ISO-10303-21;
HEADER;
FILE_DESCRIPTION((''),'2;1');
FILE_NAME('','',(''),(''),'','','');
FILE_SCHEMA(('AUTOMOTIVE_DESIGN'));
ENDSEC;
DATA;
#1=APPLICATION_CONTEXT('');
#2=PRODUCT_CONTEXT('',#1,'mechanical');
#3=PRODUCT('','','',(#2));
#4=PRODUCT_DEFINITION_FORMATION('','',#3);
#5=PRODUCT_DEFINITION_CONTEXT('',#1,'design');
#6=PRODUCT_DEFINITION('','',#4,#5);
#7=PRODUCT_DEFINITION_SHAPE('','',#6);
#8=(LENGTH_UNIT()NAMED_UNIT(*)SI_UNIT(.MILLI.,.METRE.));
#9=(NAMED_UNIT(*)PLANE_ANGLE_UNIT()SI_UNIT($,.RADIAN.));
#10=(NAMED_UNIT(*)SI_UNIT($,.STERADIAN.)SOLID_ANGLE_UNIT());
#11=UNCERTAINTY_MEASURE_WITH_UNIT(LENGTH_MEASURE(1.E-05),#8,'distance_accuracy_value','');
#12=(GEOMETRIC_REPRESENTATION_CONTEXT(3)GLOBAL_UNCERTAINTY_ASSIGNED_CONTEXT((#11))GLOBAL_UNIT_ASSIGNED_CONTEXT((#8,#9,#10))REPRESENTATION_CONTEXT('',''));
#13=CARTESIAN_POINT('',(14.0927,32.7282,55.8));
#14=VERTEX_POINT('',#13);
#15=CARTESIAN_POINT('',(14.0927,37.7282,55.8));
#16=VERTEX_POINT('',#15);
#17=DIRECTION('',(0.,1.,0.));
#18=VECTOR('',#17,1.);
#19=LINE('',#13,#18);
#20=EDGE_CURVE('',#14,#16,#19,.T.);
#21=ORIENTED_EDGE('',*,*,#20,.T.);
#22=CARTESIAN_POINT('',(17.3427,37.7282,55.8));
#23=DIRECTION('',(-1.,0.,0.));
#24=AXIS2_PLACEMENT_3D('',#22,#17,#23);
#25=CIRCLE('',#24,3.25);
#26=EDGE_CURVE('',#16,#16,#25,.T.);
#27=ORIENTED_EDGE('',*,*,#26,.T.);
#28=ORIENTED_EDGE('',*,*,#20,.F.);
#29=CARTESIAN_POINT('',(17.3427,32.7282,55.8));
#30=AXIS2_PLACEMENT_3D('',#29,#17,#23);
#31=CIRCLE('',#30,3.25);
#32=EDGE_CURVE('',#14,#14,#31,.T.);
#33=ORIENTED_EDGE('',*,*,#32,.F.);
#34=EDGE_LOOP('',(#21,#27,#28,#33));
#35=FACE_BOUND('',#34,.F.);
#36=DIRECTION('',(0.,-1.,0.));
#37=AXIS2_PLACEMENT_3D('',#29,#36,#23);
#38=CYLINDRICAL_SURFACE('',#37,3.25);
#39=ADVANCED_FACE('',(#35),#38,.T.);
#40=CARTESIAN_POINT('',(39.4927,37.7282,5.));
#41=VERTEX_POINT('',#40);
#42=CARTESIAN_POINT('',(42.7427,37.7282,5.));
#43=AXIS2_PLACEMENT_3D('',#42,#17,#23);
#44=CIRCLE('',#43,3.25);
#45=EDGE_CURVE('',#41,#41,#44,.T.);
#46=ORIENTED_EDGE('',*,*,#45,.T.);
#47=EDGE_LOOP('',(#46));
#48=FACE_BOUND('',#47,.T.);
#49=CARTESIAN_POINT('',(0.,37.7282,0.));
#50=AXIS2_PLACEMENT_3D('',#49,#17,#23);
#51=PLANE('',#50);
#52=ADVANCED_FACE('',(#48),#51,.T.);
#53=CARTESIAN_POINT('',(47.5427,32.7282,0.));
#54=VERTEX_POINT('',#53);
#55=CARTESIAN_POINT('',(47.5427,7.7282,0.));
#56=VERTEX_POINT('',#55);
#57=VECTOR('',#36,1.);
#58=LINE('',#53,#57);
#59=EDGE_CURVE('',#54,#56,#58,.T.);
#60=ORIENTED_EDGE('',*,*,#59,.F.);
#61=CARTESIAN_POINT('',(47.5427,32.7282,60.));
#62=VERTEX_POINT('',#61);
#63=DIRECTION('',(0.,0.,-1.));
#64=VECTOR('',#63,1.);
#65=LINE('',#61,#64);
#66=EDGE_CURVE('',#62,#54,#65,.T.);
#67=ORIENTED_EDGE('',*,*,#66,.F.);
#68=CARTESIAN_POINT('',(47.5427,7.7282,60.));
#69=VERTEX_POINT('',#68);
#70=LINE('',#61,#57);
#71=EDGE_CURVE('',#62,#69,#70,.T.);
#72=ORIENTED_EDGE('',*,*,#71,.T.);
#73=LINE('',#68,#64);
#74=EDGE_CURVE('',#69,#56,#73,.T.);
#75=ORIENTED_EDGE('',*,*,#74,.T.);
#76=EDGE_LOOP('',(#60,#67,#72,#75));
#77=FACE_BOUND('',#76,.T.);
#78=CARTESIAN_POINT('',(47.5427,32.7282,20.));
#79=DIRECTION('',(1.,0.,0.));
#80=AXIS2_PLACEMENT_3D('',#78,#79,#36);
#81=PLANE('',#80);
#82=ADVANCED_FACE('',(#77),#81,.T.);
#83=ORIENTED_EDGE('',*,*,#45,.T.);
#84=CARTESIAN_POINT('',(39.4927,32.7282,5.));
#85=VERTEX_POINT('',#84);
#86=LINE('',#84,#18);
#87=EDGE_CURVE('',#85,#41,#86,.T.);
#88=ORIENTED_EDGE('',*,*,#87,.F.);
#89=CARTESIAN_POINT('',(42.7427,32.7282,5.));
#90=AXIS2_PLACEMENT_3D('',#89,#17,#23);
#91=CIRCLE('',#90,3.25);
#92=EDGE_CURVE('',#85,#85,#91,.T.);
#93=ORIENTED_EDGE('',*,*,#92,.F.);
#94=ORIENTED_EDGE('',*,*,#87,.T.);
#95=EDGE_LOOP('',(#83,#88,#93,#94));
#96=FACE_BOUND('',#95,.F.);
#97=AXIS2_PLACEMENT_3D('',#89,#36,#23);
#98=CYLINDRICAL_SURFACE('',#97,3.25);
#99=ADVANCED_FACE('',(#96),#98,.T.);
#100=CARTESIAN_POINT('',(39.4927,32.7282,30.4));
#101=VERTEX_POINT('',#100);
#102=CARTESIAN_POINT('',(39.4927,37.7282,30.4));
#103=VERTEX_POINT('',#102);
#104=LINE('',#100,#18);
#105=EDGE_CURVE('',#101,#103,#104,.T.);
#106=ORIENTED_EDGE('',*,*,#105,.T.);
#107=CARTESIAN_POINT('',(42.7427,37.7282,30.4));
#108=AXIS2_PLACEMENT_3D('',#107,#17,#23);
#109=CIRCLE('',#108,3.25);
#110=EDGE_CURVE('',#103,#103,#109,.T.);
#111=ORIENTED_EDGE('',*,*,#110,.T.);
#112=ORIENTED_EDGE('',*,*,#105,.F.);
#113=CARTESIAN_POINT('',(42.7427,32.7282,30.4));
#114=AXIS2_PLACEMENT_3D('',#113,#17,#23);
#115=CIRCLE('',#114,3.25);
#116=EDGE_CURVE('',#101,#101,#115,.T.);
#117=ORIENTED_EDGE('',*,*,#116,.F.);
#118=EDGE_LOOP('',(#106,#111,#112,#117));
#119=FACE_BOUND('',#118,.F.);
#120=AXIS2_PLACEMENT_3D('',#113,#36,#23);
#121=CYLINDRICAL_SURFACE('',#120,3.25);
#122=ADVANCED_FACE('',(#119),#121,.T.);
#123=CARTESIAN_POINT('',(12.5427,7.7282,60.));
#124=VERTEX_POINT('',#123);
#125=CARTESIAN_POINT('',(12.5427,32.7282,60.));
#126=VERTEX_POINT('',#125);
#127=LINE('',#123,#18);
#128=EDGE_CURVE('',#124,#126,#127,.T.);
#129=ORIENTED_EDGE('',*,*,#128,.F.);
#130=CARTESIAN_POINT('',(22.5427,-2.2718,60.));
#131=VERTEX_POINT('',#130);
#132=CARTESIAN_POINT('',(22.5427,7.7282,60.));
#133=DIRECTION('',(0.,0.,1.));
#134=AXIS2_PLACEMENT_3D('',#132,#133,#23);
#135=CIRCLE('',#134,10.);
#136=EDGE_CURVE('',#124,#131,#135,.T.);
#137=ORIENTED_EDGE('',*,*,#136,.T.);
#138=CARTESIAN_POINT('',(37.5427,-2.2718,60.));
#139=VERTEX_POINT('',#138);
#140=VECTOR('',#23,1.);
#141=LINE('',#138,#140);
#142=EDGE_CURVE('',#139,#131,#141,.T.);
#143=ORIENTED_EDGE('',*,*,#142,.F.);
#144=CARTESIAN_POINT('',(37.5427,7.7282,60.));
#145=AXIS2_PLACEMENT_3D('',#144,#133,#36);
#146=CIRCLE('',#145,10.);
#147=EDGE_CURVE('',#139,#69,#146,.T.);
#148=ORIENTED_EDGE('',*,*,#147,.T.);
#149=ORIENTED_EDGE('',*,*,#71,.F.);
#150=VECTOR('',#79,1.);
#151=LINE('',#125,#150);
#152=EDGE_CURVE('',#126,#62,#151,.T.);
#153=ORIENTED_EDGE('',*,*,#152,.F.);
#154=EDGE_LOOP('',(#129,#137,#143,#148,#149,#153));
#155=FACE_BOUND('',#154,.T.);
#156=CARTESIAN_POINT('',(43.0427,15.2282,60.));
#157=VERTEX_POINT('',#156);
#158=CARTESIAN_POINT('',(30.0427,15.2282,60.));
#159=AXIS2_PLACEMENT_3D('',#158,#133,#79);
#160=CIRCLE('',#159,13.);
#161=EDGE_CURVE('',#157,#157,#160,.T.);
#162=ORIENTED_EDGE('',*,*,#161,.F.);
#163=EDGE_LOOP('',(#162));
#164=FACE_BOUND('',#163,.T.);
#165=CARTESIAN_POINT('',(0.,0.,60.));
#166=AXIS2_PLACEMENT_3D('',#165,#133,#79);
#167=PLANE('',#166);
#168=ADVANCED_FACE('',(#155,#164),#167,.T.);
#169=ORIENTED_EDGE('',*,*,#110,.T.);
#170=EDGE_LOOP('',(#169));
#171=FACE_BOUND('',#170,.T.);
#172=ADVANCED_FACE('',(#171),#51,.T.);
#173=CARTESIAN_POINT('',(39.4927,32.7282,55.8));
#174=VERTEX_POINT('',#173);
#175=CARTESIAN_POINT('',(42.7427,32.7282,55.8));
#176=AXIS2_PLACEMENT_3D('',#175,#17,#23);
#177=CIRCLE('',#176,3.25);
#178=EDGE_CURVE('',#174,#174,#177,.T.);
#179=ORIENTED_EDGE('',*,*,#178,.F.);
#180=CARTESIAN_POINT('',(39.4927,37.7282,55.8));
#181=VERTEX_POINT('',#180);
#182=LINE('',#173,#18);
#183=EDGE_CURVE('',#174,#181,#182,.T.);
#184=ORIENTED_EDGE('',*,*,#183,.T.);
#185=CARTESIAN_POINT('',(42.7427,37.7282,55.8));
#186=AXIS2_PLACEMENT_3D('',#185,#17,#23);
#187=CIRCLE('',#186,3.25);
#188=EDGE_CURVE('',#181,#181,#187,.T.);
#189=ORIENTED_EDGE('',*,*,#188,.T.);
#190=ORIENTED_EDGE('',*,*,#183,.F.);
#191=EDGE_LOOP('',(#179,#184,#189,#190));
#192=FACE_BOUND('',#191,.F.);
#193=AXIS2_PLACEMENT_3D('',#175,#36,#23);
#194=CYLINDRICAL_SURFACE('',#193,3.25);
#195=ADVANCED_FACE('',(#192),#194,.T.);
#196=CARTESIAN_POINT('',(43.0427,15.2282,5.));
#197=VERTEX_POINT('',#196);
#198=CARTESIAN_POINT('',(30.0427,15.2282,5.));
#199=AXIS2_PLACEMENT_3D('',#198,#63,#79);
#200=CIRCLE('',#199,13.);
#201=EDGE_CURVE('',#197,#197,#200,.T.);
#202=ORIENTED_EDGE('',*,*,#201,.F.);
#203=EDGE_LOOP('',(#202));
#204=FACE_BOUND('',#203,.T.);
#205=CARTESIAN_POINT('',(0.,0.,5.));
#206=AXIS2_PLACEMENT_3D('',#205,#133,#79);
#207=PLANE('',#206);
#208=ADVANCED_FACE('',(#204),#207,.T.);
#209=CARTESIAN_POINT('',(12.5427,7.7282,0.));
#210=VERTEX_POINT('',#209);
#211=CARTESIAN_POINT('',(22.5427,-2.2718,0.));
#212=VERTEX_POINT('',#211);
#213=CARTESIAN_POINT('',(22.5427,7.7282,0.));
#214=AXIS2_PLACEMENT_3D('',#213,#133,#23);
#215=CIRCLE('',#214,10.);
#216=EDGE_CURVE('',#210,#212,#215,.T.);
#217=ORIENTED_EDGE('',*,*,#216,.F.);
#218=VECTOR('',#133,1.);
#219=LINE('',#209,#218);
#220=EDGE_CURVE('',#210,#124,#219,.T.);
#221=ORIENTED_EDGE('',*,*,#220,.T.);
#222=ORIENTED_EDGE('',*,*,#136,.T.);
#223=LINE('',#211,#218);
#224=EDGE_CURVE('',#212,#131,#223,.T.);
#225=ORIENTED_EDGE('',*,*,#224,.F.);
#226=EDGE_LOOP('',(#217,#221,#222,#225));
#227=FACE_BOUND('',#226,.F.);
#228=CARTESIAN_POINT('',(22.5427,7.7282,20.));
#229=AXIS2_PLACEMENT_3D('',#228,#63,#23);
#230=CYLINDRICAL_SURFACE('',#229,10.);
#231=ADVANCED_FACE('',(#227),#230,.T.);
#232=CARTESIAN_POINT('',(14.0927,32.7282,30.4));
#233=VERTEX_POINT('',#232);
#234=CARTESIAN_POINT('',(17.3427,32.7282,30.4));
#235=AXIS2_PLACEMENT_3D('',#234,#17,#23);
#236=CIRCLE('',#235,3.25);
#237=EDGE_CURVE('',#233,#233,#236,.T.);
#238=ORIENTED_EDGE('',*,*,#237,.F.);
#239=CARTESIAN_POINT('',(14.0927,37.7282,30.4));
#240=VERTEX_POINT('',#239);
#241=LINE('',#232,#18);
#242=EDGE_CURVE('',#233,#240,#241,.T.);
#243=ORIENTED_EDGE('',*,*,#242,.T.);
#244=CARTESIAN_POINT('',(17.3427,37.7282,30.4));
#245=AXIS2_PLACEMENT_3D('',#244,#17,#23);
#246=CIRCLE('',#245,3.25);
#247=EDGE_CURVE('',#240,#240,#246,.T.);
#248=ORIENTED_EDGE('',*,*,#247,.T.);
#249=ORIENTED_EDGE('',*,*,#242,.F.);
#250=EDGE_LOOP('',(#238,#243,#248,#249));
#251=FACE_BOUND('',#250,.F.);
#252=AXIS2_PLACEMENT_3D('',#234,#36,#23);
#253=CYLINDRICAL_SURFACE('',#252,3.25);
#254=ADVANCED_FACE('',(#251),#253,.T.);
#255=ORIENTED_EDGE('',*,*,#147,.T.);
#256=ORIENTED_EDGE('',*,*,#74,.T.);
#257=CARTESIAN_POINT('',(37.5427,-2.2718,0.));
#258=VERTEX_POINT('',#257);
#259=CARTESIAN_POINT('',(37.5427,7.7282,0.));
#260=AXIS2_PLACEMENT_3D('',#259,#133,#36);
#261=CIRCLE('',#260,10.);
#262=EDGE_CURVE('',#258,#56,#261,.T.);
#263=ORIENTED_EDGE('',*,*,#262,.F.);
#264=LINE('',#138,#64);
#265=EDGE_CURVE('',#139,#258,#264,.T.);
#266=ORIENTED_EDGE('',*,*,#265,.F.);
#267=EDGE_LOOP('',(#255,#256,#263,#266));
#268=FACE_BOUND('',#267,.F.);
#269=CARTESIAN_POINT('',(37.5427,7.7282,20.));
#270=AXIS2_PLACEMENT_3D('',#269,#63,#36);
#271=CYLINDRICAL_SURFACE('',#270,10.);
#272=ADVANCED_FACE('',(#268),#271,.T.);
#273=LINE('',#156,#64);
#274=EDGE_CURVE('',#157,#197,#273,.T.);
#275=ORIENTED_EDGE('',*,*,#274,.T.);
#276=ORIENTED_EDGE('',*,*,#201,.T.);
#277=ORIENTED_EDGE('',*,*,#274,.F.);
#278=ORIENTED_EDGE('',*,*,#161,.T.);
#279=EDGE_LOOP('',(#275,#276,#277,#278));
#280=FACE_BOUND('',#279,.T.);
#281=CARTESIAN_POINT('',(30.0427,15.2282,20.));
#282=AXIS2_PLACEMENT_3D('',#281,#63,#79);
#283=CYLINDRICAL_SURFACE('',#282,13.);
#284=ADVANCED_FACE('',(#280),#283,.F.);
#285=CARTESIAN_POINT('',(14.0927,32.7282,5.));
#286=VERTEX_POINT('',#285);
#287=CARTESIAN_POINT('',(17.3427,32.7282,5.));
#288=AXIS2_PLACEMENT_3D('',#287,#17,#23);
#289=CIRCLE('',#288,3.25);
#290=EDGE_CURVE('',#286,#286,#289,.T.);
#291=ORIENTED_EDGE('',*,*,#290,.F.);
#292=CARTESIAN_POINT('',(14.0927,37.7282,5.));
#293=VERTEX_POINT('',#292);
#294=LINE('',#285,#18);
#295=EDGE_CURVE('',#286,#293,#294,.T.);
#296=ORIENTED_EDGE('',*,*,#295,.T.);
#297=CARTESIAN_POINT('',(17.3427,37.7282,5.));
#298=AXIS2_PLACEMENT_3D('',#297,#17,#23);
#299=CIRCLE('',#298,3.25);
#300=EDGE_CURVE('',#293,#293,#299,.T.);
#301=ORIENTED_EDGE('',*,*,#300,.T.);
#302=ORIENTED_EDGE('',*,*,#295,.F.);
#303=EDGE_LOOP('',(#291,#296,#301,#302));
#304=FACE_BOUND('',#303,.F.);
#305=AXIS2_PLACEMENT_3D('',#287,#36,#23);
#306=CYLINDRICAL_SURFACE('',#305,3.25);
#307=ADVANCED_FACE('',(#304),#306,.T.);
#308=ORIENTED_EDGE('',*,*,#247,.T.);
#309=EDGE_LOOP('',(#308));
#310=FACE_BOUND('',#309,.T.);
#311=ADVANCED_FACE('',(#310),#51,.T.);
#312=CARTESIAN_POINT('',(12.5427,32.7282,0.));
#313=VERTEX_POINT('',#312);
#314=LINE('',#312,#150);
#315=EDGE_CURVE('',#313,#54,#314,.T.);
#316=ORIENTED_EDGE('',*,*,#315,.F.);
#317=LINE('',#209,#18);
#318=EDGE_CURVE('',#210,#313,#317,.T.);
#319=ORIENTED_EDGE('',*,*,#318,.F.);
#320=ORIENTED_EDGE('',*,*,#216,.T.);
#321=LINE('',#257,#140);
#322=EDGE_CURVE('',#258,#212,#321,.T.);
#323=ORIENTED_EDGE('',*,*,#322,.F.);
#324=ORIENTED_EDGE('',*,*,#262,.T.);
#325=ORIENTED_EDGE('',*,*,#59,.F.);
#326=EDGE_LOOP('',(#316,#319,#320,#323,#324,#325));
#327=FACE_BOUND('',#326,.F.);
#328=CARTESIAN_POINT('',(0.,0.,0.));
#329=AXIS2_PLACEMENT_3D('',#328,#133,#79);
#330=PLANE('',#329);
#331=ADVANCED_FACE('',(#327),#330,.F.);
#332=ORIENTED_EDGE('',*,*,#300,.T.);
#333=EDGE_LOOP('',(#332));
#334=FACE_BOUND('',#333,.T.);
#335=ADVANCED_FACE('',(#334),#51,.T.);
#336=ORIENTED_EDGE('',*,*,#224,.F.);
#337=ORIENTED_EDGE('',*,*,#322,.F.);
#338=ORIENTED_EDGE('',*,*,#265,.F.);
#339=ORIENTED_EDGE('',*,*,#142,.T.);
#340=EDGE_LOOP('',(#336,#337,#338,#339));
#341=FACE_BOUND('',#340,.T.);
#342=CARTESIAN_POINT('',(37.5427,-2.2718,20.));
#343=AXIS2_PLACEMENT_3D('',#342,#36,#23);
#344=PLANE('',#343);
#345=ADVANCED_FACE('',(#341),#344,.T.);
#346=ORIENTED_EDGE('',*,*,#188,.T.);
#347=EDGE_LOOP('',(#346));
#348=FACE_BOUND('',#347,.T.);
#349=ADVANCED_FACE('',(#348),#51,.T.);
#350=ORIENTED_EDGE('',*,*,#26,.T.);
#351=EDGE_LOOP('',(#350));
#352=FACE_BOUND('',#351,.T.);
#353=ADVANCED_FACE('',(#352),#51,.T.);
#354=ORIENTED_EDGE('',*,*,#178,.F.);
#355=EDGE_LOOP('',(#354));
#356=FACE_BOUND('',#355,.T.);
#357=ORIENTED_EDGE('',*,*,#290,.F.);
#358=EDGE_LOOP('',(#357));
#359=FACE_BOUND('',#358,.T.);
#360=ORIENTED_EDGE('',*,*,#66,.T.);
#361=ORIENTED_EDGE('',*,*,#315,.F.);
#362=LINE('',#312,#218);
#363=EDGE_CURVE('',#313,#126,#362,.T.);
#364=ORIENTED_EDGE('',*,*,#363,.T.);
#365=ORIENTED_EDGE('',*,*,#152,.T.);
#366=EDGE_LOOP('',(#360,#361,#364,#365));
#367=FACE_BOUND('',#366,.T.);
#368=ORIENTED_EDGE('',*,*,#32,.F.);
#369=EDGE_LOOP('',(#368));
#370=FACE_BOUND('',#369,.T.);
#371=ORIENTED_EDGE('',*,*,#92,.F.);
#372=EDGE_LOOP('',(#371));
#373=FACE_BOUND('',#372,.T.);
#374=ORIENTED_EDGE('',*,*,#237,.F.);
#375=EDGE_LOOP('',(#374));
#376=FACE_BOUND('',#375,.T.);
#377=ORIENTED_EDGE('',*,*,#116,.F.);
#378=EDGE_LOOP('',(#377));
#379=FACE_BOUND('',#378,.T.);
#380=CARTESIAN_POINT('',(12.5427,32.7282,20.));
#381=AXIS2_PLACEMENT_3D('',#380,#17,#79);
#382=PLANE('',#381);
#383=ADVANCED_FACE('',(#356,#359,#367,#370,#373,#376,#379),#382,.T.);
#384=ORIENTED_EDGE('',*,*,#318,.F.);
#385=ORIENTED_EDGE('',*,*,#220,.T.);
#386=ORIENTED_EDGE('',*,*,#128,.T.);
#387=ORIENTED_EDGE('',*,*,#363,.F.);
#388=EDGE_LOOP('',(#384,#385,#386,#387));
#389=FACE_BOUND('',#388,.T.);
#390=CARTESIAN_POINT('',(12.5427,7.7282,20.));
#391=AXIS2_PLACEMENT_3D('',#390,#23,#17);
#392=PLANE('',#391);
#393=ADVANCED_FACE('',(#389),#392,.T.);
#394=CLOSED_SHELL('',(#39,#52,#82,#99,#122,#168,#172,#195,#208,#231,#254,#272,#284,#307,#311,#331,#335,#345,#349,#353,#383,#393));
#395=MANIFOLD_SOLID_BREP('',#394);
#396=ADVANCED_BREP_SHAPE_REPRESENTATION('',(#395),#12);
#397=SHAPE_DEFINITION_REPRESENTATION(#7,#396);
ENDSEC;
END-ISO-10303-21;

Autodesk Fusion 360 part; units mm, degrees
sketch "Sketch1" plane through (0, 0, 0) normal (0, 0, 1) x (1, 0, 0)
  line L0 (12.5427, 32.7282) -> (47.5427, 32.7282)
  line L1 (47.5427, 32.7282) -> (47.5427, 7.7282)
  line L2 (37.5427, -2.2718) -> (22.5427, -2.2718)
  line L3 (12.5427, 7.7282) -> (12.5427, 32.7282)
  line L4 (47.5427, 15.2282) -> (12.5427, 15.2282) construction
  line L5 (30.0427, 32.7282) -> (30.0427, 15.2282) construction
  circle A0 centre (30.0427, 15.2282) radius 13
  arc A1 (12.5427, 7.7282) -> (22.5427, -2.2718) centre (22.5427, 7.7282) ccw
  arc A2 (37.5427, -2.2718) -> (47.5427, 7.7282) centre (37.5427, 7.7282) ccw
  point P0 (12.5427, -2.2718)
  dimension "d1" = 35
  dimension "d2" = 35
  dimension "d4" = 26
  dimension "d21" = 10
extrude "Extrude2" add sketch "Sketch1" along normal blind 20 makes body 1
extrude "Extrude1" add sketch "Sketch1" along normal blind 2 separate body contours L0 L1 L2 L3 A1 A2 | A0 makes body 2
combine "Combine1" operation add target body 1 tool bodies 2
extrude "Extrude3" add 1 faces at (25.9943, 15.2712, 2) along direction (0, 0, 1) blind 3 on bodies 1 bodies 1
extrude "Extrude4" add 1 faces at (45.9943, 19.2074, 20) along direction (0, 0, 1) blind 40 on bodies 1 bodies 1
sketch "Sketch2" plane through (0, 32.7282, 0) normal (0, 1, 0) x (-1, 0, 0)
  line L0 (-12.5427, 0) -> (-12.5427, 60)
  line L1 (-12.5427, 60) -> (-47.5427, 60)
  line L2 (-47.5427, 60) -> (-47.5427, 0)
  line L3 (-47.5427, 0) -> (-12.5427, 0)
  line L4 (-47.5427, 60) -> (-12.5427, 60)
  line L5 (-12.5427, 60) -> (-12.5427, 0)
  line L6 (-12.5427, 0) -> (-47.5427, 0)
  line L7 (-47.5427, 0) -> (-47.5427, 60)
  circle A0 centre (-42.7427, 5) radius 3.25
  circle A1 centre (-17.3427, 5) radius 3.25
  circle A2 centre (-42.7427, 30.4) radius 3.25
  circle A3 centre (-17.3427, 30.4) radius 3.25
  circle A4 centre (-42.7427, 55.8) radius 3.25
  circle A5 centre (-17.3427, 55.8) radius 3.25
  dimension "d15" = 6.5
  dimension "d16" = 4.8
  dimension "d19" = 25.4
  dimension "d20" = 25.4
  dimension "d22" = 5
extrude "Extrude5" add sketch "Sketch2" along normal blind 5 contours A0 | A1 | A2 | A3 | A4 | A5 bodies 1
equation "PegWidth = 6.5 mm"
equation "HoleDistance = 25.4 mm"
equation "d15 = PegWidth"
equation "d16 = ( 35 mm - HoleDistance ) / 2"
equation "d20 = HoleDistance"
